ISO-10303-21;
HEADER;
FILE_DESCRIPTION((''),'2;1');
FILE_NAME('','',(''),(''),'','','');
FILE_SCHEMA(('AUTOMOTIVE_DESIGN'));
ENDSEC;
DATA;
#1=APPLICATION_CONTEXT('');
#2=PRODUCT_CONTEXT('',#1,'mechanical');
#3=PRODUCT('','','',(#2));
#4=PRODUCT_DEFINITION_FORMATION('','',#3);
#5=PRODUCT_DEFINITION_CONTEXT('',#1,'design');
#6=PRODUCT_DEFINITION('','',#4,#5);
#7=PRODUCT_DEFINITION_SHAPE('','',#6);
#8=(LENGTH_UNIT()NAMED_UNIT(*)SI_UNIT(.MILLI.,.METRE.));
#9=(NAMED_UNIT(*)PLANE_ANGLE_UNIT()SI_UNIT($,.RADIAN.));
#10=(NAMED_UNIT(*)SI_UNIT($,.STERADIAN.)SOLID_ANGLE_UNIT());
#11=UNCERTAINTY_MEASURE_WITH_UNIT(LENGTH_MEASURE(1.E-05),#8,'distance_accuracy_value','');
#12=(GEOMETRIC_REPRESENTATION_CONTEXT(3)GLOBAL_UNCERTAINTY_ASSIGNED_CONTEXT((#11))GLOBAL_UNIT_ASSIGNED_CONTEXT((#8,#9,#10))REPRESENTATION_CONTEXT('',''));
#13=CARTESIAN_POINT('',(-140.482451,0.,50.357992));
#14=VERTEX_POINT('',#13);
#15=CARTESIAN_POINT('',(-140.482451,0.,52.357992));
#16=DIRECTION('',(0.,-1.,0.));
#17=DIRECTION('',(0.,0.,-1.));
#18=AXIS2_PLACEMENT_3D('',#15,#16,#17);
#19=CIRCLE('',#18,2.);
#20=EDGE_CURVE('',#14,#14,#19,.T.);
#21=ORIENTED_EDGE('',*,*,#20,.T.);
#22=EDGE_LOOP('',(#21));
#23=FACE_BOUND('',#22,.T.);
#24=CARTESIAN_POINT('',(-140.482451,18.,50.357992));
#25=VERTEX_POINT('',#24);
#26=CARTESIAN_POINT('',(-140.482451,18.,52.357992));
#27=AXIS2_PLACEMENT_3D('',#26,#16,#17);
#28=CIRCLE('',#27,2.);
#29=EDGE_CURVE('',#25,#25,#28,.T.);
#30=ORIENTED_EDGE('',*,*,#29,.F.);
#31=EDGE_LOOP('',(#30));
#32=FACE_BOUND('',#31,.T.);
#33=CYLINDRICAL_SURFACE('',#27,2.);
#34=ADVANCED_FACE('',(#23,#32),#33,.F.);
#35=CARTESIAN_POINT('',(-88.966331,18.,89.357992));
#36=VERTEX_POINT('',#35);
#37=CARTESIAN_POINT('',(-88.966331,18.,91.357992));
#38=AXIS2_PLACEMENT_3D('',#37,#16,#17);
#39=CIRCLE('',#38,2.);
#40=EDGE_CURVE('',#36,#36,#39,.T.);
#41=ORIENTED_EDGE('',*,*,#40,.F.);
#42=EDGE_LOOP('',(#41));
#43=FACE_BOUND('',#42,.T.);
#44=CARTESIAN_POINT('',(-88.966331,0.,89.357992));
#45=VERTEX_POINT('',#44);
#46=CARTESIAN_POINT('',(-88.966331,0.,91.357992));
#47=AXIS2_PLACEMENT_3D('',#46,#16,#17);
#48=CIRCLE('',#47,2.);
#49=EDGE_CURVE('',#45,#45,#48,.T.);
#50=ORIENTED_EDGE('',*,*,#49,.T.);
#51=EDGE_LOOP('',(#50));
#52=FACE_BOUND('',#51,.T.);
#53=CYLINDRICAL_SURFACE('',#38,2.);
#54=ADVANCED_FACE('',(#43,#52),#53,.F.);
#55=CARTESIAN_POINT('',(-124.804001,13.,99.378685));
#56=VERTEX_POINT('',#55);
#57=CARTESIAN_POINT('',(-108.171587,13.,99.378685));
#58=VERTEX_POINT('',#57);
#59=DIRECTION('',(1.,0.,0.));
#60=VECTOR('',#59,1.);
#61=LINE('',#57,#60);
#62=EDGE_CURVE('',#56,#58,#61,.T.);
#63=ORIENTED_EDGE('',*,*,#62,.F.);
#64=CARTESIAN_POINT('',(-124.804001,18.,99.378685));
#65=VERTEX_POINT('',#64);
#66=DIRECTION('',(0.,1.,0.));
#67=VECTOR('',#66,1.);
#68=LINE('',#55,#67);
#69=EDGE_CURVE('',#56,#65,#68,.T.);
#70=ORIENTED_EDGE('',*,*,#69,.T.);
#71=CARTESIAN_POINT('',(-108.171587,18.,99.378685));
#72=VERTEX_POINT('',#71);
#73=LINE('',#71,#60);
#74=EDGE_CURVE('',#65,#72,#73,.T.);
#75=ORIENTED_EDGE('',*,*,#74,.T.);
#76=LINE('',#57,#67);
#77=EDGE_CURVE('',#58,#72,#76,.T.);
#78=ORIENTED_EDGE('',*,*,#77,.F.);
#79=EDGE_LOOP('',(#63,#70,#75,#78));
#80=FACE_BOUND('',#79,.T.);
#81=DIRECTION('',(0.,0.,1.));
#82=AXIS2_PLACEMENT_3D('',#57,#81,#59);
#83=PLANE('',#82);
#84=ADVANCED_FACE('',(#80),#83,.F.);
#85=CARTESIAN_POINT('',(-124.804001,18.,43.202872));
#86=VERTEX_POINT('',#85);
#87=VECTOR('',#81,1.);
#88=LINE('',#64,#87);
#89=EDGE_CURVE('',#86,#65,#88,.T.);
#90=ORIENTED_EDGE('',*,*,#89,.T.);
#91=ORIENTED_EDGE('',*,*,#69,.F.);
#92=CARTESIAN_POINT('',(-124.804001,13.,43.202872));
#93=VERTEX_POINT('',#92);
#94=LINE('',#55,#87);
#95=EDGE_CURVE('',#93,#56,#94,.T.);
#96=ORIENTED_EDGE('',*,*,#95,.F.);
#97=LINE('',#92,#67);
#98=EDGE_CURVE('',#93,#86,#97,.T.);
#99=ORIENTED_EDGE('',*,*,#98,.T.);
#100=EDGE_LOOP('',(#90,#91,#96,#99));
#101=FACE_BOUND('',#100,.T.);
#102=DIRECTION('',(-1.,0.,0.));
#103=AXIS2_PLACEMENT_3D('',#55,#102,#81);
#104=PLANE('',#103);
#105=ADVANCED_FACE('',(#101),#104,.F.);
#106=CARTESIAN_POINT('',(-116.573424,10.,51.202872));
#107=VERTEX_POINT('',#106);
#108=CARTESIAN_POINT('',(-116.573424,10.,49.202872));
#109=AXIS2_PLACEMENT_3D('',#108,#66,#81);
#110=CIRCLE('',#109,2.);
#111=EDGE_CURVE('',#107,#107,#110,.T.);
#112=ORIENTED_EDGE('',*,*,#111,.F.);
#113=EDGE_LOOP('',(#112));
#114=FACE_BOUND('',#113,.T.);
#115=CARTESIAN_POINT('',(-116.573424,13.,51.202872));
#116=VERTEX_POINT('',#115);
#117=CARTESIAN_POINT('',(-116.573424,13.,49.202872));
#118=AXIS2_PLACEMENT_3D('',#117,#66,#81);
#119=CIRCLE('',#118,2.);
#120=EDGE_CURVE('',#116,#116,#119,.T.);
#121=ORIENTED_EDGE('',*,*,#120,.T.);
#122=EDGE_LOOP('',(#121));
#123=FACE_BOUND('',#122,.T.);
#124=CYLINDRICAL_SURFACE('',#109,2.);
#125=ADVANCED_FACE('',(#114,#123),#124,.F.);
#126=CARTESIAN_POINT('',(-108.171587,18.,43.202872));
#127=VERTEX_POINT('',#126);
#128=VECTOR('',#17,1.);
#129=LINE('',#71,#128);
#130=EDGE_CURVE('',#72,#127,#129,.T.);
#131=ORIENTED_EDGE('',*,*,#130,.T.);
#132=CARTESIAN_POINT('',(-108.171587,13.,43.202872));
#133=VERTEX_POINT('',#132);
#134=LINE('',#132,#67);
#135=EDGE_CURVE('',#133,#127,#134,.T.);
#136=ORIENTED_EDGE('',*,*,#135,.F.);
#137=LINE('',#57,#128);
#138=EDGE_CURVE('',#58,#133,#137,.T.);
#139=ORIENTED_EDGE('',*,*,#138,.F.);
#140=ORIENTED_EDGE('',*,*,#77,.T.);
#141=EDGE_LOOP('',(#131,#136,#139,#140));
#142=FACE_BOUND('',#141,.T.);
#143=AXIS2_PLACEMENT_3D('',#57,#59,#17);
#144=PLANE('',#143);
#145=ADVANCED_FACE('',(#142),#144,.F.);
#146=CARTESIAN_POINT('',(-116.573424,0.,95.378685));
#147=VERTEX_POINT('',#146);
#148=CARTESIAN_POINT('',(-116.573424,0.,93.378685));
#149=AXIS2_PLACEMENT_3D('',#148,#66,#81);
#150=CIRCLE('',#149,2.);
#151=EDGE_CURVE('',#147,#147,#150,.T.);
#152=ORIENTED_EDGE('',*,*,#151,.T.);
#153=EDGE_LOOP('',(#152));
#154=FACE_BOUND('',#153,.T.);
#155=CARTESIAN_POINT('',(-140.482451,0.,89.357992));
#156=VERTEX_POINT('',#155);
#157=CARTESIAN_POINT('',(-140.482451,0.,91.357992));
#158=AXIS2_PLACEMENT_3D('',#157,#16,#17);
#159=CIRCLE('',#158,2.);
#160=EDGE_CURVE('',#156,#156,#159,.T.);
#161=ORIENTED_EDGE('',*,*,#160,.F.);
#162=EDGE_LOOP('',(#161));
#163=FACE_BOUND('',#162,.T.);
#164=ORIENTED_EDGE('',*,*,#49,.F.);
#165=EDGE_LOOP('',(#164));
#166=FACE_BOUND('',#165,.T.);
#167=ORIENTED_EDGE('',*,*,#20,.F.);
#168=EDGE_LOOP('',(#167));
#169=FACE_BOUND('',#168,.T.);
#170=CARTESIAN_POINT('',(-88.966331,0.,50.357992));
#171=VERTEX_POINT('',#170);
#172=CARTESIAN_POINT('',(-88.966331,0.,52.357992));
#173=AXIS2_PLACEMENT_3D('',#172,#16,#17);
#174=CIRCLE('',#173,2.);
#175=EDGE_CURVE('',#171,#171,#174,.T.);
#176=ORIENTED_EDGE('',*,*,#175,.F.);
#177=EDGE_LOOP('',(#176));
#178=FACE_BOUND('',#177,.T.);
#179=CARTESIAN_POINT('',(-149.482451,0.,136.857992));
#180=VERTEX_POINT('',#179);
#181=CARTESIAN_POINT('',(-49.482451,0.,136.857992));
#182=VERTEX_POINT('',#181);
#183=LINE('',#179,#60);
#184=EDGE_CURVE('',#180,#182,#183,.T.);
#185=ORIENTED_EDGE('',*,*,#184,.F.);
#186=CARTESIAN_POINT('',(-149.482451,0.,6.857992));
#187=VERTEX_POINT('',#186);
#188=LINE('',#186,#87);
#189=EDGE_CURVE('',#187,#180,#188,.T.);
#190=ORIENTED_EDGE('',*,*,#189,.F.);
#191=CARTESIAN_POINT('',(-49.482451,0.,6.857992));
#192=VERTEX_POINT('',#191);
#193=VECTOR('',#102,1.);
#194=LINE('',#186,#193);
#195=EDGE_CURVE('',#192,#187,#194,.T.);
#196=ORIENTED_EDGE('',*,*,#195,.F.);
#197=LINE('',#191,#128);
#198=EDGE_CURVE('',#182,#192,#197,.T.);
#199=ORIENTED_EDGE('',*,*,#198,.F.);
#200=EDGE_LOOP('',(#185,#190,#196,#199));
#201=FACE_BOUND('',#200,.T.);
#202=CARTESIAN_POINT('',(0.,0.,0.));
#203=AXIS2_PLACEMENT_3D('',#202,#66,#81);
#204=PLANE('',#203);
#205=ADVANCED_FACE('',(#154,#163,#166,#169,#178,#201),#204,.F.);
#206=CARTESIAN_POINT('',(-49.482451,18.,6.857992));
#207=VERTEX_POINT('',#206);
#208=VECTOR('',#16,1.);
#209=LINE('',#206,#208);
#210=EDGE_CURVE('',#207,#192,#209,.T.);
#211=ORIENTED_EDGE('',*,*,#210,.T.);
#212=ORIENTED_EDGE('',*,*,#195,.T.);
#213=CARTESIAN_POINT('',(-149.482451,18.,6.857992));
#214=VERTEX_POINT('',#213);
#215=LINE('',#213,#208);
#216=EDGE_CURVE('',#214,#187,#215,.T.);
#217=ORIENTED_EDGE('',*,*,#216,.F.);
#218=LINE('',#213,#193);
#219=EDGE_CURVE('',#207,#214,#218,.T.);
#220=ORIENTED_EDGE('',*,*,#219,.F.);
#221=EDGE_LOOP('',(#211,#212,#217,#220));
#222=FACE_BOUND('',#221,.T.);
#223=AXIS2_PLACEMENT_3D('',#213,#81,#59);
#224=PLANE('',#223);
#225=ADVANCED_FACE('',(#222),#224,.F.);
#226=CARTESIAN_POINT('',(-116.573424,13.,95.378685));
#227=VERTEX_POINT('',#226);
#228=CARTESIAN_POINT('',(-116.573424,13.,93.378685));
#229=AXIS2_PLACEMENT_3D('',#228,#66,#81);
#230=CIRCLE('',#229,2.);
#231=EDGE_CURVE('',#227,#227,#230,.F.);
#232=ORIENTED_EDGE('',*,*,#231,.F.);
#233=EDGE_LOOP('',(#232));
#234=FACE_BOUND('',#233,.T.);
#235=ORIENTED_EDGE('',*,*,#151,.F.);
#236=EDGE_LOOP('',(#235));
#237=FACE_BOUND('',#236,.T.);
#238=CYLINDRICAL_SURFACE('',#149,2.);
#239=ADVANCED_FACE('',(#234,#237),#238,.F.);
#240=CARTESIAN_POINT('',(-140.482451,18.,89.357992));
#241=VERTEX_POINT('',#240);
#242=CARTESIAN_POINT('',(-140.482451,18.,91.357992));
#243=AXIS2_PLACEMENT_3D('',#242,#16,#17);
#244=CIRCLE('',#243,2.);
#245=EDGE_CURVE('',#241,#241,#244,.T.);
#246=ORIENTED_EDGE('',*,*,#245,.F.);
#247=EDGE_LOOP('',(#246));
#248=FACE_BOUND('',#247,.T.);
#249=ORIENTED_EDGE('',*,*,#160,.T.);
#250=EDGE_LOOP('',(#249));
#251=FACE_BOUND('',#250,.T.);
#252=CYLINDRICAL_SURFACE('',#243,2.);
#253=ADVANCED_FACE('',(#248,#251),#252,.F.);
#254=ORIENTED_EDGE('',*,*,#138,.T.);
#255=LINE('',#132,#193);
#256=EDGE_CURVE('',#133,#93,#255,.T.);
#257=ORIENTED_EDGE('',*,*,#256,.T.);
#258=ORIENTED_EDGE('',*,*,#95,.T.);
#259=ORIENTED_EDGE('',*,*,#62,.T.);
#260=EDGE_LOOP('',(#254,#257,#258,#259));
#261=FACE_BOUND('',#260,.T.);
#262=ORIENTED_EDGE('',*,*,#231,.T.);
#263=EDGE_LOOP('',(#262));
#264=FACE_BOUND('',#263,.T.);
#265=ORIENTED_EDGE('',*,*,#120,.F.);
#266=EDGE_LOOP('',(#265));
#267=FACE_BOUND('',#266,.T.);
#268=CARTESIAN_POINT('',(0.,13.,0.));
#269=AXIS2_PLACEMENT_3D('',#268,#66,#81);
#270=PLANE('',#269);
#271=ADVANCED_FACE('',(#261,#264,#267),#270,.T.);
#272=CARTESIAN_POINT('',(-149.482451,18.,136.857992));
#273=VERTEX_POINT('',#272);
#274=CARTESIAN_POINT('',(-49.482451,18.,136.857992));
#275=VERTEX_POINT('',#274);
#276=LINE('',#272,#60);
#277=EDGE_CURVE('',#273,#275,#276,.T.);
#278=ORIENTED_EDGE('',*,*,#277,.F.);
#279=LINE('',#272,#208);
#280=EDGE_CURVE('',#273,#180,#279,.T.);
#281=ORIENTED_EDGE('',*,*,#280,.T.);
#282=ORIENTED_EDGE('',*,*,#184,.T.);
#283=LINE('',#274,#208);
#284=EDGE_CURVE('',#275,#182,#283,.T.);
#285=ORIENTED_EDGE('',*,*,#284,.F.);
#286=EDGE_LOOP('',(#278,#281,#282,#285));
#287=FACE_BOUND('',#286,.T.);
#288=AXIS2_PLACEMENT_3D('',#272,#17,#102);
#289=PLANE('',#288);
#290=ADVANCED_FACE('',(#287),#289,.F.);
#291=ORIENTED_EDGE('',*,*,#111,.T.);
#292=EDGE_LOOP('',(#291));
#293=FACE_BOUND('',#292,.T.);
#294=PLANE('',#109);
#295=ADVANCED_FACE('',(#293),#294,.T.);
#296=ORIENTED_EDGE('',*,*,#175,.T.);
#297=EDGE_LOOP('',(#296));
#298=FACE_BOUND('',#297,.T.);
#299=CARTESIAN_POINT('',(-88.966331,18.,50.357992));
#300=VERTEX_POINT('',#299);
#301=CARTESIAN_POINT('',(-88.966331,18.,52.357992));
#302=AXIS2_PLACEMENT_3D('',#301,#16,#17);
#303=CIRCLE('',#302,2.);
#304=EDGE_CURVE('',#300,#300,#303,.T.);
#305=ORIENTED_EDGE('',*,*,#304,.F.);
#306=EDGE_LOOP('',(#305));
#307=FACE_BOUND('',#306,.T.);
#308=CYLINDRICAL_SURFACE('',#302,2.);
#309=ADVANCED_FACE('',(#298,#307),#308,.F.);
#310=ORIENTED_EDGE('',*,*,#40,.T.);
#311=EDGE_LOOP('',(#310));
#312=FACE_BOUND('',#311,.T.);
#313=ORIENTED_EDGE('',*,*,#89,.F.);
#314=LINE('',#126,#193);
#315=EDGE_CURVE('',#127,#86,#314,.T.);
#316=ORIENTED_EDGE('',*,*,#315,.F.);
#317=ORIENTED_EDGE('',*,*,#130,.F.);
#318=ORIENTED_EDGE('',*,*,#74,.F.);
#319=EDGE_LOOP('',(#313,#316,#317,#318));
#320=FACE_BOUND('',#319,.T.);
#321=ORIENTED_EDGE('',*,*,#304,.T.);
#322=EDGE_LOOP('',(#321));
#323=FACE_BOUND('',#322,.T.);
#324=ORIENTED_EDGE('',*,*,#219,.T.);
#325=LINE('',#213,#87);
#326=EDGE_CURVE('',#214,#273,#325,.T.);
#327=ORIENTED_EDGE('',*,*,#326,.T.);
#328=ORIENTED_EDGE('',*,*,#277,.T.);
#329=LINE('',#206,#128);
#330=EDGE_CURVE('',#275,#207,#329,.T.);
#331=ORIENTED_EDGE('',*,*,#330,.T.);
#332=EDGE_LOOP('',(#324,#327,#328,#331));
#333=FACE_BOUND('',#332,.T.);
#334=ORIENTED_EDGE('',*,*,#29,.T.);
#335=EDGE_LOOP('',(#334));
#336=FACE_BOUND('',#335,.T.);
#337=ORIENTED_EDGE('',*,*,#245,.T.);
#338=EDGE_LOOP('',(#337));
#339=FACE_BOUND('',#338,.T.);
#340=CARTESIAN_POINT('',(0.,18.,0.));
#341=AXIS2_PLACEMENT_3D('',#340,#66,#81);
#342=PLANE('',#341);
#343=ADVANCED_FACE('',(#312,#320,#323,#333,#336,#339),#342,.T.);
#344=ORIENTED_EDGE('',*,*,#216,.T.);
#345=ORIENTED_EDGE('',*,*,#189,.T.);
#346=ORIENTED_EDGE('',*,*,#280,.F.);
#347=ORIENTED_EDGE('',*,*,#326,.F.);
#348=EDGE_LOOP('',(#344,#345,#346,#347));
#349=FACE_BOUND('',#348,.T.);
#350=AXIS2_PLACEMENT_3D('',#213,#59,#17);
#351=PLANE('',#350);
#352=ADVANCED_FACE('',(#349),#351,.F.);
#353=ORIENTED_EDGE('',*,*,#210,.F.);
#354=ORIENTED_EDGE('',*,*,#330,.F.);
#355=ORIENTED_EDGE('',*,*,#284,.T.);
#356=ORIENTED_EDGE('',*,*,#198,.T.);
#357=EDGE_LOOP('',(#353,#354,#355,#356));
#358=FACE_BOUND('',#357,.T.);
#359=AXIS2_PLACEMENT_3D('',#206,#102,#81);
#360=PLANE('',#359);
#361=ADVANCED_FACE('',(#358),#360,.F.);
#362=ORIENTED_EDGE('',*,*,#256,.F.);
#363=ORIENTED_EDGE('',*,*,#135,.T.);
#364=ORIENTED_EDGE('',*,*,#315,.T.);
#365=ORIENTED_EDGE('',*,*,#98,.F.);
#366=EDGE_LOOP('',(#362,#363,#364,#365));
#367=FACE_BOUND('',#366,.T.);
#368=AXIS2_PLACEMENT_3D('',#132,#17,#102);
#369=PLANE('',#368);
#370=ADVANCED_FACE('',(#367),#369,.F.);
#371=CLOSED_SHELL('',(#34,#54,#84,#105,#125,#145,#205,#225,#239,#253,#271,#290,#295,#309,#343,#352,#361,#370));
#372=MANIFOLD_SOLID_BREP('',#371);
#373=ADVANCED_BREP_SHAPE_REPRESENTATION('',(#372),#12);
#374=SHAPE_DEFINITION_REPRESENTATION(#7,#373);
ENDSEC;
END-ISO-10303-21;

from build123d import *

# Parameters (mm, degrees)
ESQUISSE1_W             = 100
ESQUISSE1_H             = 130
BOSS_EXTRU_1_DEPTH      = 18
ESQUISSE2_R             = 2
ENL_V_MAT_EXTRU_1_DEPTH = 204.467720042
ESQUISSE3_R             = 2
ENL_V_MAT_EXTRU_2_DEPTH = 204.467720042
ESQUISSE6_W             = 16.632413999
ESQUISSE6_H             = 56.175813279
ENL_V_MAT_EXTRU_5_DEPTH = 5
ESQUISSE8_R             = 2
ENL_V_MAT_EXTRU_6_DEPTH = 3


with BuildPart() as part:
    # Esquisse1 → Boss.-Extru.1 (new body)
    with BuildSketch(Plane(origin=(0, 0, 0), x_dir=(1, 0, 0), z_dir=(0, 1, 0))):
        with Locations((-99.482451284, -71.857991573)):
            Rectangle(ESQUISSE1_W, ESQUISSE1_H)
    extrude(amount=BOSS_EXTRU_1_DEPTH)

    # Esquisse2 → Enlèv. mat.-Extru.1 (cut, through all)
    with BuildSketch(Plane(origin=(0, 18, 0), x_dir=(1, 0, 0), z_dir=(0, 1, 0))):
        with Locations(Location((-116.573423844, -93.378684857, 0), (0, 0, 270))):
            Circle(ESQUISSE2_R)
    extrude(amount=-ENL_V_MAT_EXTRU_1_DEPTH, mode=Mode.SUBTRACT)

    # Esquisse3 → Enlèv. mat.-Extru.2 (cut, through all)
    with BuildSketch(Plane.XZ):
        with Locations(Location((-88.966331324, 52.357991573, 0), (0, 0, 270))):
            Circle(ESQUISSE3_R)
        with Locations(Location((-88.966331324, 91.357991573, 0), (0, 0, 270))):
            Circle(ESQUISSE3_R)
        with Locations(Location((-140.482451284, 91.357991573, 0), (0, 0, 270))):
            Circle(ESQUISSE3_R)
        with Locations(Location((-140.482451284, 52.357991573, 0), (0, 0, 270))):
            Circle(ESQUISSE3_R)
    extrude(amount=-ENL_V_MAT_EXTRU_2_DEPTH, mode=Mode.SUBTRACT)

    # Esquisse6 → Enlèv. mat.-Extru.5 (cut)
    with BuildSketch(Plane(origin=(0, 18, 0), x_dir=(1, 0, 0), z_dir=(0, 1, 0))):
        with Locations((-116.487794331, -71.290778218)):
            Rectangle(ESQUISSE6_W, ESQUISSE6_H)
    extrude(amount=-ENL_V_MAT_EXTRU_5_DEPTH, mode=Mode.SUBTRACT)

    # Esquisse8 → Enlèv. mat.-Extru.6 (cut)
    with BuildSketch(Plane(origin=(0, 13, 0), x_dir=(1, 0, 0), z_dir=(0, 1, 0))):
        with Locations(Location((-116.573423844, -49.202871578, 0), (0, 0, 270))):
            Circle(ESQUISSE8_R)
    extrude(amount=-ENL_V_MAT_EXTRU_6_DEPTH, mode=Mode.SUBTRACT)


solid = part.part
